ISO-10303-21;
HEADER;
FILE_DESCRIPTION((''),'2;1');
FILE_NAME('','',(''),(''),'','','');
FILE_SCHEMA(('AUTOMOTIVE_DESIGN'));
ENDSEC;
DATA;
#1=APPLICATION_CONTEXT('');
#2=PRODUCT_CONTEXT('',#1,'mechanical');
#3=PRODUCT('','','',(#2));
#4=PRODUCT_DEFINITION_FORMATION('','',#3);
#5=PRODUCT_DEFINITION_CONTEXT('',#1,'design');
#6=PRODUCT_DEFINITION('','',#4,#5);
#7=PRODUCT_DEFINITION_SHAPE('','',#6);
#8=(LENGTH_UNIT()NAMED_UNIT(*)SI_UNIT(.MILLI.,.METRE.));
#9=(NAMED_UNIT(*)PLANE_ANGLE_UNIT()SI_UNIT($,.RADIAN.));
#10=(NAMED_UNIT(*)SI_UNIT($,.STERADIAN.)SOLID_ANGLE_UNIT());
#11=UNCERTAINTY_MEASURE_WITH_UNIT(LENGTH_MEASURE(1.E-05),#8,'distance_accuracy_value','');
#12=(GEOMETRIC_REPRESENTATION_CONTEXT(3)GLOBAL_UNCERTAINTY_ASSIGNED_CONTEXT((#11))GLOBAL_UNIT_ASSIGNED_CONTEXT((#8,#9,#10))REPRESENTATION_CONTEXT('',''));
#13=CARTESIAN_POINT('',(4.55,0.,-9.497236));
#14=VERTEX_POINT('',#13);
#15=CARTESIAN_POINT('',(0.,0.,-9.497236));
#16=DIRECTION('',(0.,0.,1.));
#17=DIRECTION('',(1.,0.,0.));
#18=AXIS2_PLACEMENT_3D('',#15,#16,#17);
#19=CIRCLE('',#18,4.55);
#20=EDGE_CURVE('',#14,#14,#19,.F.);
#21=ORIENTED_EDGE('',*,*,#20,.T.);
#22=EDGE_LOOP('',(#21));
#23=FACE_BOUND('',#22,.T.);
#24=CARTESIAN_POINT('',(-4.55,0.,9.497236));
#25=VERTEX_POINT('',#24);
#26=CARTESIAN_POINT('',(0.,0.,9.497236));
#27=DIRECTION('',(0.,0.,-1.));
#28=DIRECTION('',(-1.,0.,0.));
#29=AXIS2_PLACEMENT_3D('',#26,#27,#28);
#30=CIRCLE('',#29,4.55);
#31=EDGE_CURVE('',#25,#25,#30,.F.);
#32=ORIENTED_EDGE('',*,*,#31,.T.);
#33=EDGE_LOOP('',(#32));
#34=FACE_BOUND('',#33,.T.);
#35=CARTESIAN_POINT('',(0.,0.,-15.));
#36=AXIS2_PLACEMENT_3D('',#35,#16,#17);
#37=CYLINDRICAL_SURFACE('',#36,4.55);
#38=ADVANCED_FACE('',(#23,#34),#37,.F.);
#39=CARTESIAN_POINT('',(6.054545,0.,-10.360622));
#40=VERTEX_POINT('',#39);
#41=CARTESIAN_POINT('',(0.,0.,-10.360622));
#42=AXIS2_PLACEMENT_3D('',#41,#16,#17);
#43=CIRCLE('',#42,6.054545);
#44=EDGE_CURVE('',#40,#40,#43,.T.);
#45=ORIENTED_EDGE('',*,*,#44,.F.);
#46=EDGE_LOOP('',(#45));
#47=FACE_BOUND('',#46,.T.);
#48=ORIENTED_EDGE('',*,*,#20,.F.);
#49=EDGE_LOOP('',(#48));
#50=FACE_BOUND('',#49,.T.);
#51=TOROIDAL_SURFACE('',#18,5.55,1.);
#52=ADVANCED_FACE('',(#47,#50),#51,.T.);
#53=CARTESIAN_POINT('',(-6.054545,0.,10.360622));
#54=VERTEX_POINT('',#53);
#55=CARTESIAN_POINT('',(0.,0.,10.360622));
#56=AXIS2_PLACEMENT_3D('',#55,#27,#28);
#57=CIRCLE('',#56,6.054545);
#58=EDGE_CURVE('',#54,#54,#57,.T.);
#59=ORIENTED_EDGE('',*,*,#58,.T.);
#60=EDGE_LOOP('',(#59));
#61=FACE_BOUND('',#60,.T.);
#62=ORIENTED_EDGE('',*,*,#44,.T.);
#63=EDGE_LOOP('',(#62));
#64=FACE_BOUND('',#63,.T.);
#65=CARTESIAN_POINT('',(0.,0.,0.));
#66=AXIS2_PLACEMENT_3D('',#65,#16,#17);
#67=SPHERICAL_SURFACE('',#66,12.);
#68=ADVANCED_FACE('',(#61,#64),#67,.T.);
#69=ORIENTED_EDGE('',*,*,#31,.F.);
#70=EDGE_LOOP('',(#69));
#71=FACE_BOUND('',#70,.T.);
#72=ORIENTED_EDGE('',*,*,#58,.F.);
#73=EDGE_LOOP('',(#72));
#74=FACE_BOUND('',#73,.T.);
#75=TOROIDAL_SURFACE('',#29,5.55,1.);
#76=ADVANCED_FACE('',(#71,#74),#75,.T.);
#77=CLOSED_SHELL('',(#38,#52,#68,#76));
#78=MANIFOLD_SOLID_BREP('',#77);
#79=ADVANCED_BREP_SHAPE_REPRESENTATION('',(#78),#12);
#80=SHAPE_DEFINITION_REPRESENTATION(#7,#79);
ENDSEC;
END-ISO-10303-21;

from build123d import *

# Parameters (mm, degrees)
SKETCH_2_R          = 4.55
CUT_EXTRUDE_1_DEPTH = 15
FILLET_1_R          = 1


with BuildPart() as part:
    # 스케치1 → 회전2 (revolve)
    with BuildSketch(Plane.XY):
        with BuildLine():
            Line((0, 12), (0, -12))
            ThreePointArc((0, -12), (-12, 0), (0, 12))
        make_face()
    revolve(axis=Axis((0, 11.789684906, 0), (0, -1, 0)))

    # 스케치2 → 컷-돌출1 (cut, symmetric)
    with BuildSketch(Plane.XY):
        with Locations(Location((0, 0, 0), (0, 0, 180))):
            Circle(SKETCH_2_R)
    extrude(amount=CUT_EXTRUDE_1_DEPTH, both=True, mode=Mode.SUBTRACT)

    # 필렛1
    fillet_1_edges = [part.edges().sort_by_distance(p)[0] for p in [
        (4.55, 0, 11.103940742),
        (4.55, 0, -11.103940742),
    ]]
    fillet(fillet_1_edges, radius=FILLET_1_R)


solid = part.part
